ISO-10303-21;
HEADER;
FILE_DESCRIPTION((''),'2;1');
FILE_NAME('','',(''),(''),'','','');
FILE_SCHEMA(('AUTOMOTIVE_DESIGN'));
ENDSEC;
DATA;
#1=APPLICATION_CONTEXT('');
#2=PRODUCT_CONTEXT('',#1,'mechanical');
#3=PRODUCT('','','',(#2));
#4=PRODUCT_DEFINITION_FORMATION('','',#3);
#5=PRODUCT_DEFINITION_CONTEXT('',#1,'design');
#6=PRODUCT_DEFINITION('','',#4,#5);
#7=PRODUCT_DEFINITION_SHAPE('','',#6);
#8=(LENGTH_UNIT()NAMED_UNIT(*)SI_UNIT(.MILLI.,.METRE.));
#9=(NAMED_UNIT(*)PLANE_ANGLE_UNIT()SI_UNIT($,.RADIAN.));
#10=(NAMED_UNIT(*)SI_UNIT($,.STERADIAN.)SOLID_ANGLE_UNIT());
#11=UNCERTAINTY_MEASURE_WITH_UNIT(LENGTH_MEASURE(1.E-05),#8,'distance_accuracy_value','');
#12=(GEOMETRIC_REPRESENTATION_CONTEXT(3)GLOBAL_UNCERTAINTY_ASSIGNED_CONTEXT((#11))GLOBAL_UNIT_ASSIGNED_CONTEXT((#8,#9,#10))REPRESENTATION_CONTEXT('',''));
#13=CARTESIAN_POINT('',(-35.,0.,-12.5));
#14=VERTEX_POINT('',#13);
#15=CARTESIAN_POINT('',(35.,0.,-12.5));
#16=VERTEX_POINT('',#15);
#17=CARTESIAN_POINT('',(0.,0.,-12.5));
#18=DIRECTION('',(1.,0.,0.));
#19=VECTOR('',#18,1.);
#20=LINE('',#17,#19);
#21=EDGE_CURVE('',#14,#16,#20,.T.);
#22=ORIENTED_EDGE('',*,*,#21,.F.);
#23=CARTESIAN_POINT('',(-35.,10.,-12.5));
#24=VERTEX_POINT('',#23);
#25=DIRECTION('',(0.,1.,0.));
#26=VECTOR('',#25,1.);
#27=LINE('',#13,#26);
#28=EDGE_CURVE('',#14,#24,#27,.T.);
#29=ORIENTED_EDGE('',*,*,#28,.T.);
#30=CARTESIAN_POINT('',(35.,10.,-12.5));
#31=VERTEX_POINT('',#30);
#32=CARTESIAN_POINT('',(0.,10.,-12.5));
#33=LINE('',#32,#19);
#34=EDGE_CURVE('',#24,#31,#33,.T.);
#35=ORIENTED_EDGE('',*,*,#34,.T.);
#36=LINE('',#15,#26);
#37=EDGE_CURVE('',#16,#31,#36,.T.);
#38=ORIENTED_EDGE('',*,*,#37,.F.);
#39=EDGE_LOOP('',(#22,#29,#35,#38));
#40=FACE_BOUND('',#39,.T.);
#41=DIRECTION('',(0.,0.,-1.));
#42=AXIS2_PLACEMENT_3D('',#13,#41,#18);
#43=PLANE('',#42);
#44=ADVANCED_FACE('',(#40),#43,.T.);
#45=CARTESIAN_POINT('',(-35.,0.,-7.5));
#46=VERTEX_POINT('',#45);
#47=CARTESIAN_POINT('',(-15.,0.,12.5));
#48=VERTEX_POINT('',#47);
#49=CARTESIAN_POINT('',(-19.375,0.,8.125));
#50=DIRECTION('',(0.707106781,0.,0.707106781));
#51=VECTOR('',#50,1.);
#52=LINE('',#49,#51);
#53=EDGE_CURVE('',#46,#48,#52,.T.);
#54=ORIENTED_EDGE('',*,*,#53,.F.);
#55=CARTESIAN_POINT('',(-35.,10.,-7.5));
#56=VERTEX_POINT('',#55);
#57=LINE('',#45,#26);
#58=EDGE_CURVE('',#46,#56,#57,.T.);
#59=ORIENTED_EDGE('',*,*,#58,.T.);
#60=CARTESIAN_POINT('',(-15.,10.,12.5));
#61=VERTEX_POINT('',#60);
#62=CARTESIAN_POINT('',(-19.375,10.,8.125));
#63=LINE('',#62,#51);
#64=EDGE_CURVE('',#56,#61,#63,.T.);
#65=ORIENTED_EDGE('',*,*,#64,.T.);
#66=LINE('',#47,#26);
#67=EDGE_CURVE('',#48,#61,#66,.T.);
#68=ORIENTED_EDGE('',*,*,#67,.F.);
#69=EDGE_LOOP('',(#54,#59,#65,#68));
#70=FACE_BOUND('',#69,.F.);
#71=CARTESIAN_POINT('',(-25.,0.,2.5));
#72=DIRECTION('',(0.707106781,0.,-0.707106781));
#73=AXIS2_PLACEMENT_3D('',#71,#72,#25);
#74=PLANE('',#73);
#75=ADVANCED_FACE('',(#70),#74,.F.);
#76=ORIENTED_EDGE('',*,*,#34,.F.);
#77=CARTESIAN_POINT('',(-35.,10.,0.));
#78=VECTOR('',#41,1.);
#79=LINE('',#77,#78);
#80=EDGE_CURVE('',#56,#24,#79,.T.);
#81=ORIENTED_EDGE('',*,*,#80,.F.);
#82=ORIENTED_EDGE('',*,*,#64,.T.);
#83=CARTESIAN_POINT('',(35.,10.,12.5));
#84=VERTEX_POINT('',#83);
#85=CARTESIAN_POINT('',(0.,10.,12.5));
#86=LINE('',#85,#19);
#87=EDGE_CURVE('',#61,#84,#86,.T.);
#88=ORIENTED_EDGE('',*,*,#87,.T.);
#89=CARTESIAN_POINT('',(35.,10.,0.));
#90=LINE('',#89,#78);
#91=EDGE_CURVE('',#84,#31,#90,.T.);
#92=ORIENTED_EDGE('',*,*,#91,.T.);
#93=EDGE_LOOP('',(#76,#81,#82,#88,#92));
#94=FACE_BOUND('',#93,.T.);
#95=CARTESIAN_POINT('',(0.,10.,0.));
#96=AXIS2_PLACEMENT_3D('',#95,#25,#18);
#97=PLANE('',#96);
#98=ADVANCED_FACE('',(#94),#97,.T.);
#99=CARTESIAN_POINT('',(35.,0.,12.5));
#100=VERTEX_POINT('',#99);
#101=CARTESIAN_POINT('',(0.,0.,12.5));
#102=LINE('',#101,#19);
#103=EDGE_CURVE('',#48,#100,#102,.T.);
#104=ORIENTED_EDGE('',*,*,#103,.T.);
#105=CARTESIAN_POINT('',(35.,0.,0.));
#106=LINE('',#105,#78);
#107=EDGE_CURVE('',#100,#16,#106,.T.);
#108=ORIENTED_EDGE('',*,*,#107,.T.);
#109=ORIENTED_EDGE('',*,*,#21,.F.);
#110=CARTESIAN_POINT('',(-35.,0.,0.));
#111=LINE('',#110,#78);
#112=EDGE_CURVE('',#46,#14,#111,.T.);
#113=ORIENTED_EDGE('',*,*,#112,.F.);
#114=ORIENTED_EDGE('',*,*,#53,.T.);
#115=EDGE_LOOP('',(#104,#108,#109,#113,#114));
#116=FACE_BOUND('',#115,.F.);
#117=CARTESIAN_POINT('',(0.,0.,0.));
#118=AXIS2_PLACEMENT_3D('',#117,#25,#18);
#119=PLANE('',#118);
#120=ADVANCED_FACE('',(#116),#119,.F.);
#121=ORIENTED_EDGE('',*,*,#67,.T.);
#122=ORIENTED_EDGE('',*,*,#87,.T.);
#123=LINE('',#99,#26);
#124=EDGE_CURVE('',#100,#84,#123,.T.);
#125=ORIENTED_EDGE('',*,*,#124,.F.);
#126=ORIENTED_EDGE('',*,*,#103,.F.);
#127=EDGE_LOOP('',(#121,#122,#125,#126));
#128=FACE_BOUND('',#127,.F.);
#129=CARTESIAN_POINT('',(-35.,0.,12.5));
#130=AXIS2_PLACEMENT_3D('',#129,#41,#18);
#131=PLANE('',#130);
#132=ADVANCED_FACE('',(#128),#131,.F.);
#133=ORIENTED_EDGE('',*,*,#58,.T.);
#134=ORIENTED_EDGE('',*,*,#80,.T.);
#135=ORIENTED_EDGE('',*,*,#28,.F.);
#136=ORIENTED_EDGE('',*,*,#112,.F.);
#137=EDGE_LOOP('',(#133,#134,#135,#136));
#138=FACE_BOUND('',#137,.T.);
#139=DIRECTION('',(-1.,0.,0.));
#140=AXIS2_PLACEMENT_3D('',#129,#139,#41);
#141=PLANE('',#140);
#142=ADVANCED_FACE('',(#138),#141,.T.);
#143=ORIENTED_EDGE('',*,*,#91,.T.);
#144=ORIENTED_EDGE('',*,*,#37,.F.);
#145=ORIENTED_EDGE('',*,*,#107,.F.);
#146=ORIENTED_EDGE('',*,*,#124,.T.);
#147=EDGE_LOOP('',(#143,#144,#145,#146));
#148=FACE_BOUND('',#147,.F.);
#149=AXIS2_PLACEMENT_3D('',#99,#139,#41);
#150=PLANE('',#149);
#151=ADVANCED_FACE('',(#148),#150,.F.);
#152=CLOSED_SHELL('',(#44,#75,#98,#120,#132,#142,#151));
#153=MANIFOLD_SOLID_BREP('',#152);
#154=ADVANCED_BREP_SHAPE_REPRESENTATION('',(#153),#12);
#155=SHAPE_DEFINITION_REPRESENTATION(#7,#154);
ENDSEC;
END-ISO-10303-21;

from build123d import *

# Parameters (mm, degrees)
SKETCH2_W           = 70
SKETCH2_H           = 25
BOSS_EXTRUDE1_DEPTH = 10
CHAMFER2_SIZE       = 20


with BuildPart() as part:
    # Sketch2 → Boss-Extrude1 (new body)
    with BuildSketch(Plane(origin=(0, 0, 0), x_dir=(1, 0, 0), z_dir=(0, 1, 0))):
        Rectangle(SKETCH2_W, SKETCH2_H)
    extrude(amount=BOSS_EXTRUDE1_DEPTH)

    # Chamfer2
    chamfer2_edges = [part.edges().sort_by_distance(p)[0] for p in [
        (-35, 5, 12.5),
    ]]
    chamfer(chamfer2_edges, length=CHAMFER2_SIZE)


solid = part.part
